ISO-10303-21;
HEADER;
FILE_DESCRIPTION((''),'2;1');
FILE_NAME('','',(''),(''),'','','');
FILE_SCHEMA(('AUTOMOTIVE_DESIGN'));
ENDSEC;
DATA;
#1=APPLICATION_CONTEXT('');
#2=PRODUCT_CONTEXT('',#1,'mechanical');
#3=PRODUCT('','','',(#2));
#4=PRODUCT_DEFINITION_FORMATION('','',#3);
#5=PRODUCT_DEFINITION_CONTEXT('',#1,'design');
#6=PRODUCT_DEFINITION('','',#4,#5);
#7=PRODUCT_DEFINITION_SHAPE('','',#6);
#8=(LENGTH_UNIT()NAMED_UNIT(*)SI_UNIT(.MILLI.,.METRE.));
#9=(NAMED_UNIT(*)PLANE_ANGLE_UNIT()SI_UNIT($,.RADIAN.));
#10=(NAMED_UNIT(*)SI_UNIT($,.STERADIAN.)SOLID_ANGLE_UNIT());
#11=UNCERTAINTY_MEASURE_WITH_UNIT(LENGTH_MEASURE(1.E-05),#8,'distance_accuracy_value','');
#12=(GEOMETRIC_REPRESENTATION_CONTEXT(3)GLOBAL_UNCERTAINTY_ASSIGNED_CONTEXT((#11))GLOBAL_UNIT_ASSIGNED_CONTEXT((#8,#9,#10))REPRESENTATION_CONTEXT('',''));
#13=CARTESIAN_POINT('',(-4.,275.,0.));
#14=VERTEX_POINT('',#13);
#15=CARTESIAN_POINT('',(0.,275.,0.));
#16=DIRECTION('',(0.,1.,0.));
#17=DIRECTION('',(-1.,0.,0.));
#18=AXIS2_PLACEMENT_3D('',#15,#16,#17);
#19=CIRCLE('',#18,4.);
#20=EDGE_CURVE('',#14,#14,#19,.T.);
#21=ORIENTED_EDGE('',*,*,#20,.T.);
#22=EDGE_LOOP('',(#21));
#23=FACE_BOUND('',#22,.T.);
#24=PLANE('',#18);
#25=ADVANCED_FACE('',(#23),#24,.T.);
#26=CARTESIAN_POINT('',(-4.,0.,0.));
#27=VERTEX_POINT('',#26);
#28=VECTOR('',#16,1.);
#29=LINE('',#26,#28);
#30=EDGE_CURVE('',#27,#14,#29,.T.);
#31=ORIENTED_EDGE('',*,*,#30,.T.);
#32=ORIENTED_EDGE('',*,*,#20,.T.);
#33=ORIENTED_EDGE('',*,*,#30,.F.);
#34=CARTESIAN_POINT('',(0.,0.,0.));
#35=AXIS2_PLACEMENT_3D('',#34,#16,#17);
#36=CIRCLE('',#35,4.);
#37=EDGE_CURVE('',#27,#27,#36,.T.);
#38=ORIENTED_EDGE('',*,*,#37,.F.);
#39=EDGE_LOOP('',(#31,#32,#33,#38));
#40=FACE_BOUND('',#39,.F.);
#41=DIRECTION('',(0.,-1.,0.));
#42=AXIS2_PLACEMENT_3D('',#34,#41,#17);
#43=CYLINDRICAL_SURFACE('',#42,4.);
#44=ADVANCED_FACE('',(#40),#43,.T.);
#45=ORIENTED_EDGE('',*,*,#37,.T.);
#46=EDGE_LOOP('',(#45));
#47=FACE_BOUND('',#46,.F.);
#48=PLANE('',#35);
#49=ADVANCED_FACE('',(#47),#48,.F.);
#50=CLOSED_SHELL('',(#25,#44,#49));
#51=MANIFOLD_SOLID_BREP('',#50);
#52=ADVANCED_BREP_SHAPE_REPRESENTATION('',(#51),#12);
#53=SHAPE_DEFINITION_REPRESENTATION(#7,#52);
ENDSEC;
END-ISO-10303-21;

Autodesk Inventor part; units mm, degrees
ref_plane "YZ Plane" through (0, 0, 0) normal (1, 0, 0) x (0, 1, 0)
ref_plane "XZ Plane" through (0, 0, 0) normal (0, 1, 0) x (-1, 0, 0)
ref_plane "XY Plane" through (0, 0, 0) normal (0, 0, 1) x (1, 0, 0)
sketch "Sketch1" plane through (0, 0, 0) normal (0, 1, 0) x (-1, 0, 0)
  circle A0 centre (0, 0) radius 4
  dimension "d0" = 8
extrude "Extrusion1" add sketch "Sketch1" along normal blind 275
thread "Thread1" size "M8x1.25" class "6g" standard "ANSI Metric M Profile" full length
properties part number "ThreadedRod" material "Steel, Mild"
